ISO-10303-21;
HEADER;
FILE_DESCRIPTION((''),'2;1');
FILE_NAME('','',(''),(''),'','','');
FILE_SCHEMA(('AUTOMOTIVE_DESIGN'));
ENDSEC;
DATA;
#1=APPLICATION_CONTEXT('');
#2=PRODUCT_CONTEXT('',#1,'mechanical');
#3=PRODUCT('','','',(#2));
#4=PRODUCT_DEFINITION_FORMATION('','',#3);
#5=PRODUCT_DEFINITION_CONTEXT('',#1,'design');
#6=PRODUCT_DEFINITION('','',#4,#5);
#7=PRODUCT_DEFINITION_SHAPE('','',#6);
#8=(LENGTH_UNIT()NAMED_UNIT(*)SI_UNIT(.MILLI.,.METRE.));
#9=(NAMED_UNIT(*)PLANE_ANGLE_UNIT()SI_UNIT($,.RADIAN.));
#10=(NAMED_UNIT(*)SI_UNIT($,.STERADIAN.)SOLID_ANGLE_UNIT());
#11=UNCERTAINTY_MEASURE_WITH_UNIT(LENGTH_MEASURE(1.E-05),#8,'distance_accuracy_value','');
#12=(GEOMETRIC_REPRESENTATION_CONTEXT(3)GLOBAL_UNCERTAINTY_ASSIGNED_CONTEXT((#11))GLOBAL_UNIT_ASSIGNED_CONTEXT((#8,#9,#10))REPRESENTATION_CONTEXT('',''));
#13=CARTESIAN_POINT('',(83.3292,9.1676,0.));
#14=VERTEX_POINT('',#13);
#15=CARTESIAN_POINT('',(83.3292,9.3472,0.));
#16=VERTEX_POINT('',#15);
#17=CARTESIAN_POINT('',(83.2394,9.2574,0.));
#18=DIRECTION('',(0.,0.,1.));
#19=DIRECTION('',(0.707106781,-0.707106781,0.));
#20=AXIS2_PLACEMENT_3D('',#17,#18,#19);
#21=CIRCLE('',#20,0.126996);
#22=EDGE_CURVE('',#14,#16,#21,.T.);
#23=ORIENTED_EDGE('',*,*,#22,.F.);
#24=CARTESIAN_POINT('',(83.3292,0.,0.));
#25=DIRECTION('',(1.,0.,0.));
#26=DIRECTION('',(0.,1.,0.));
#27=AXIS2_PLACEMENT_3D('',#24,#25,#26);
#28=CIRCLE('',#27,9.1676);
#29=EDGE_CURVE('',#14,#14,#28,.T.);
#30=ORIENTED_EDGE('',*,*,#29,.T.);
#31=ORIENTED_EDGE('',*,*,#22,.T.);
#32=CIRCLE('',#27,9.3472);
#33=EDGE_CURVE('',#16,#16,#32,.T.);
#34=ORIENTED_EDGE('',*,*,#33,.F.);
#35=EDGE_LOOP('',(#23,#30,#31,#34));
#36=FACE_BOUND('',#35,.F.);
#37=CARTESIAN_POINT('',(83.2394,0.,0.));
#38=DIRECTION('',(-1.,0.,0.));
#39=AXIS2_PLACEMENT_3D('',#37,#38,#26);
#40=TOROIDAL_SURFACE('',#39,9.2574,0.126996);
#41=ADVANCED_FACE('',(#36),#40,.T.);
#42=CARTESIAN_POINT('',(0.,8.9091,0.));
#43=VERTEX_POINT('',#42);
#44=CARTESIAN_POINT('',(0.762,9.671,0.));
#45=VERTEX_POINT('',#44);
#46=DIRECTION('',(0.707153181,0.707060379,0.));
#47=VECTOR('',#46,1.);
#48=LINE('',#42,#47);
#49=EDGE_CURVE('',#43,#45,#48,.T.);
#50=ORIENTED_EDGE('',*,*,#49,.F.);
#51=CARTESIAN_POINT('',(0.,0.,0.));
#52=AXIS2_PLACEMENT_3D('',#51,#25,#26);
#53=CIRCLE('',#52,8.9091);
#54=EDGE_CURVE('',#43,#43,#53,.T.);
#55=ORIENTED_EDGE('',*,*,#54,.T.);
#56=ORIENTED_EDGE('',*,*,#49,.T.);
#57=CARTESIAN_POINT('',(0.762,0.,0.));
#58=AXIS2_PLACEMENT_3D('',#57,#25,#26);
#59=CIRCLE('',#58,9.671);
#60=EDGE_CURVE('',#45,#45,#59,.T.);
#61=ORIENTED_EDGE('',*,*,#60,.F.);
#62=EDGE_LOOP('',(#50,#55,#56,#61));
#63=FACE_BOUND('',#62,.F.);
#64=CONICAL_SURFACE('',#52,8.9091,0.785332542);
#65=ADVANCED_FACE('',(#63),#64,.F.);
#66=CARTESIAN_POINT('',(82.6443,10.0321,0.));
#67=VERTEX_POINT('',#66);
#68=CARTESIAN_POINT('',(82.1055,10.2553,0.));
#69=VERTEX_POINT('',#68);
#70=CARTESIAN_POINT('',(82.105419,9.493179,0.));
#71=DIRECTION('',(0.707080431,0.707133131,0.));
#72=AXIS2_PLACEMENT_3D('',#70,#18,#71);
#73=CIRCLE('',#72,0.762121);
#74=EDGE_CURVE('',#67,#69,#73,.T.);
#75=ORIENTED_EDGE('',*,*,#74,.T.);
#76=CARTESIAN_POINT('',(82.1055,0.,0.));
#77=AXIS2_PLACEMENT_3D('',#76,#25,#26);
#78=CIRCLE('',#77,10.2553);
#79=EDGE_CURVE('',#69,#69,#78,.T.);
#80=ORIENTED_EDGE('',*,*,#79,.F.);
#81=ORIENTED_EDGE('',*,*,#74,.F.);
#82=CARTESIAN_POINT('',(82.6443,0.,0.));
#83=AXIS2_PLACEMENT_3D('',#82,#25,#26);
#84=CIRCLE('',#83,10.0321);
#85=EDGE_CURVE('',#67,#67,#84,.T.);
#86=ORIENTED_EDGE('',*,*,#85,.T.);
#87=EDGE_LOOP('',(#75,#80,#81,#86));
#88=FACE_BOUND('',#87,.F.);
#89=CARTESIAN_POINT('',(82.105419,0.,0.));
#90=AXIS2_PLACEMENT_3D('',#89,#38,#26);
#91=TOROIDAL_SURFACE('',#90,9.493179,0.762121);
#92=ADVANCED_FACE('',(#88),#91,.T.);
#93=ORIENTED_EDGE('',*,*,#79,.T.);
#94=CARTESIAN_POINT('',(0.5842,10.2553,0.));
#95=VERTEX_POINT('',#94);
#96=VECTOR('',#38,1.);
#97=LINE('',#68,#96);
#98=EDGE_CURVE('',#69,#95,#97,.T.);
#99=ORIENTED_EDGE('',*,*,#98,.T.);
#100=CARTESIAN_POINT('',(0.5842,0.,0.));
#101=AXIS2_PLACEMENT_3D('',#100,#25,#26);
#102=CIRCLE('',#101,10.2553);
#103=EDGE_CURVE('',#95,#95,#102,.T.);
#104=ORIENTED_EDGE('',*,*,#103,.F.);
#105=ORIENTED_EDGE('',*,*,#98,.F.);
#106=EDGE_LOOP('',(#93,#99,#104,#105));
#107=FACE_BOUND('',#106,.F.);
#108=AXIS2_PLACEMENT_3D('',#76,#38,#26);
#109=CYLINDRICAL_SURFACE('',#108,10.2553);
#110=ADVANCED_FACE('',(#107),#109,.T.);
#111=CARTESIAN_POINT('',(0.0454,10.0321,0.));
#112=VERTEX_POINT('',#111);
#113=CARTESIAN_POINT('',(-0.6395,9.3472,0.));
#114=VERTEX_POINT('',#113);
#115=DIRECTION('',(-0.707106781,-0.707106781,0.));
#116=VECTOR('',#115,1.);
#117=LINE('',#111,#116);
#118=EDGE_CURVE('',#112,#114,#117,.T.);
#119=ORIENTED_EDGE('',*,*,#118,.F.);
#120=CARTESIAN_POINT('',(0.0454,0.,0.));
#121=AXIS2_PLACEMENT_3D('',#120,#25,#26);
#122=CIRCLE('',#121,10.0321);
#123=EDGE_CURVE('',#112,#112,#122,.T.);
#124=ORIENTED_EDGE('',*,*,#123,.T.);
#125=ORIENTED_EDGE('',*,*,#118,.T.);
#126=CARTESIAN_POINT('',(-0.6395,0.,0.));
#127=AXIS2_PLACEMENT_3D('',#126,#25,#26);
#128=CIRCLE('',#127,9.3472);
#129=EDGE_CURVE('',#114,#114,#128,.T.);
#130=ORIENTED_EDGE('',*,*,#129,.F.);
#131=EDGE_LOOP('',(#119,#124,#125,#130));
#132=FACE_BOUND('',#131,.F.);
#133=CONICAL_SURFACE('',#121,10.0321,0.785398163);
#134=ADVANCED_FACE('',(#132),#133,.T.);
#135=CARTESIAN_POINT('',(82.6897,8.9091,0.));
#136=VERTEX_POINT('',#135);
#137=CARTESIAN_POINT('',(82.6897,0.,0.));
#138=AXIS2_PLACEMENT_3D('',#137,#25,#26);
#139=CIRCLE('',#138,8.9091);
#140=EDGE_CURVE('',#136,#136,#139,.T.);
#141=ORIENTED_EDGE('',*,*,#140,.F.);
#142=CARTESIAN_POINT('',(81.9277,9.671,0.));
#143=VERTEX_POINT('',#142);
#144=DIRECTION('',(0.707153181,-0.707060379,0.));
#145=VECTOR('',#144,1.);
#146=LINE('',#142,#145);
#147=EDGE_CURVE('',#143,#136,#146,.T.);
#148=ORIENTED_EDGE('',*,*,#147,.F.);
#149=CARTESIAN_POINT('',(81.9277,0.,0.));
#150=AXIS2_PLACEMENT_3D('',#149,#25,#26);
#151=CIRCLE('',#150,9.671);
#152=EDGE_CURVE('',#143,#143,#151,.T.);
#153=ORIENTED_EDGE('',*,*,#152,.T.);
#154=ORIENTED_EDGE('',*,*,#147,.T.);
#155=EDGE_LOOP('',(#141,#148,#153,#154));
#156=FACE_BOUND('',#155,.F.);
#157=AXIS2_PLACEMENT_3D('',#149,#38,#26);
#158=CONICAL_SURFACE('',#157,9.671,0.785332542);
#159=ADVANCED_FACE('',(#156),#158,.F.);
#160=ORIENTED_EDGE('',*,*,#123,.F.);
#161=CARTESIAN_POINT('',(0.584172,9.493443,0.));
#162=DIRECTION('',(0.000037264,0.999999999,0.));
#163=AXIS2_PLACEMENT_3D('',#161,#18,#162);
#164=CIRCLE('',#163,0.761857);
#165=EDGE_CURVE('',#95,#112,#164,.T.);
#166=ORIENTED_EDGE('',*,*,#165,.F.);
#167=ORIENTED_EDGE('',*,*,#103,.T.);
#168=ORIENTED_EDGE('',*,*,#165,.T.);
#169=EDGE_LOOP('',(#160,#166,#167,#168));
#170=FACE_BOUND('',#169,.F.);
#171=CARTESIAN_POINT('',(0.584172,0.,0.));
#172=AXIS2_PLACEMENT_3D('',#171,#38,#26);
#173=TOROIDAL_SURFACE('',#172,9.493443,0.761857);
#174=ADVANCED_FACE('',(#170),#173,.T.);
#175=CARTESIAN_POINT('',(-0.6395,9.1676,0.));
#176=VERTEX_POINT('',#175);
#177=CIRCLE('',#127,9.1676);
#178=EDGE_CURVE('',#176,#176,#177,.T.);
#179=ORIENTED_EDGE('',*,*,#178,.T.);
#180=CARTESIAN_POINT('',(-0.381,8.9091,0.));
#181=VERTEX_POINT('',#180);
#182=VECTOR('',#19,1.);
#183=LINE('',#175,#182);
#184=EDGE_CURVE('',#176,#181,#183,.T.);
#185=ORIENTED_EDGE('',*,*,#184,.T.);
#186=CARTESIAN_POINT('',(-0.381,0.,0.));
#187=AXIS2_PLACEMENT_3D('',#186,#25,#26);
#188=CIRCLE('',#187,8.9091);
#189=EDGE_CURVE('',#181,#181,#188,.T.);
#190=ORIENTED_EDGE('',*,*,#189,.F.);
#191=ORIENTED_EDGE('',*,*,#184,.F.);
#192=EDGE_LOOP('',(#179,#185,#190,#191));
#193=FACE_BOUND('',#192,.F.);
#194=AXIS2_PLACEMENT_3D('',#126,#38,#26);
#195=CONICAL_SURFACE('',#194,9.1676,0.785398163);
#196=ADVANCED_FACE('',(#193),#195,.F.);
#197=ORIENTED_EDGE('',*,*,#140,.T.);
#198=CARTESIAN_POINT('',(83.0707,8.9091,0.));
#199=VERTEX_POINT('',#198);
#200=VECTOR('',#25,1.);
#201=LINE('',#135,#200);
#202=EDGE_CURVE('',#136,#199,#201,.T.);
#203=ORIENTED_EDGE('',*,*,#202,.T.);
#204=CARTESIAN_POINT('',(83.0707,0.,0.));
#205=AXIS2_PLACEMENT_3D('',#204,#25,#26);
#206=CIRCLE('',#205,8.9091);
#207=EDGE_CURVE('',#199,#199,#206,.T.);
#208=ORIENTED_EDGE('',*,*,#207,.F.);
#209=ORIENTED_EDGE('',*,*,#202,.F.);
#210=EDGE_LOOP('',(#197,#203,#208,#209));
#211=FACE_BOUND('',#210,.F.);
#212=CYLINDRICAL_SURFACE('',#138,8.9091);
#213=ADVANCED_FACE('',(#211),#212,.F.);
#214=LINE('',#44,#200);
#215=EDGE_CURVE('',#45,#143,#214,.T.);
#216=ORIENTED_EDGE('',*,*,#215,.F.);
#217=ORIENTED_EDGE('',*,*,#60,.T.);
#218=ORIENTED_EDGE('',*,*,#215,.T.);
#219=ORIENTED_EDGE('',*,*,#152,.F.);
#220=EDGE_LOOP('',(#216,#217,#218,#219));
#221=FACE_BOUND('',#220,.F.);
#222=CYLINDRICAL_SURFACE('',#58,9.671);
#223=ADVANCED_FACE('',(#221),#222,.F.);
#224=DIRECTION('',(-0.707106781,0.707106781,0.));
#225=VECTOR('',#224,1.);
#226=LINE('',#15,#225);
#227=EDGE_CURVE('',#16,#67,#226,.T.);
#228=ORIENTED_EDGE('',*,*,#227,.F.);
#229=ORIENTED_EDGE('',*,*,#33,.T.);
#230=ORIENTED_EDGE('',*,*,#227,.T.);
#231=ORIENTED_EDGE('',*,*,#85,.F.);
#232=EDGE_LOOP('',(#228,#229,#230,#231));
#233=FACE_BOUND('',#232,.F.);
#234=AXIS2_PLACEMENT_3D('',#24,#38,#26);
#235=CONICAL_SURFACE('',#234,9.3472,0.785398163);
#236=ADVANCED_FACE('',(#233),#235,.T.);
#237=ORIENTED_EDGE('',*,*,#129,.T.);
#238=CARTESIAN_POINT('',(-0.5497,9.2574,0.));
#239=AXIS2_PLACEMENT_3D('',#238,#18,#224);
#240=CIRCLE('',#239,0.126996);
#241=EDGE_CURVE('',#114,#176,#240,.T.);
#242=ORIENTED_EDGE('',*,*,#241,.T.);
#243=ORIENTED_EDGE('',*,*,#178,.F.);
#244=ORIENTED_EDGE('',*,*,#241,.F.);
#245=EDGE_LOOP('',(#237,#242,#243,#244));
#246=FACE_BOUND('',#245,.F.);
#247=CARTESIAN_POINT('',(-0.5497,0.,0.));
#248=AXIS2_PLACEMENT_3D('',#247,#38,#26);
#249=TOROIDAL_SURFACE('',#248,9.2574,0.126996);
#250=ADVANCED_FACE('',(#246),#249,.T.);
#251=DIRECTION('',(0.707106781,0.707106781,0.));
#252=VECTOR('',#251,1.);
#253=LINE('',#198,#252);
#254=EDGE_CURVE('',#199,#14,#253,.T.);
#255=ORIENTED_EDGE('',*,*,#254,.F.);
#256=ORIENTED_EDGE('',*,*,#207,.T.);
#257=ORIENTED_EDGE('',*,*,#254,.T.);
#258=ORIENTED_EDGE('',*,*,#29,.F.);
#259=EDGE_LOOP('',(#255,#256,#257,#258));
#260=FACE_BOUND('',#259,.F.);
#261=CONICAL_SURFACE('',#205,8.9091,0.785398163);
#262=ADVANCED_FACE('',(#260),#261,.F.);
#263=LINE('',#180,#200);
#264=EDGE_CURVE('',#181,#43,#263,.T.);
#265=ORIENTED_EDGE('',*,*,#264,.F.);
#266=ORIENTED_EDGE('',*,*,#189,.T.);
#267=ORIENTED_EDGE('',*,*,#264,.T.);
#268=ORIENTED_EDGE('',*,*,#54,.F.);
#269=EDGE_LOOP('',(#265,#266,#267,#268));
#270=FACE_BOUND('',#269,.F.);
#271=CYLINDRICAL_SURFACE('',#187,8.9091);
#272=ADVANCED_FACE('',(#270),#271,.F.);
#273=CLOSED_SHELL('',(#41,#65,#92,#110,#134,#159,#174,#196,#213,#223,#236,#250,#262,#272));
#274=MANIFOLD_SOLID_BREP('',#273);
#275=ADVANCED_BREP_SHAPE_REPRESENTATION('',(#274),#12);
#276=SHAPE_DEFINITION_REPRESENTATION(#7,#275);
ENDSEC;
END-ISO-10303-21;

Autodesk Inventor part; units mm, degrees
sketch "Sketch_1" plane through (0, 0, 0) normal (0, 0, 1) x (1, 0, 0)
  line L0 (82.6897, 0) -> (0, 0)
  arc A0 (-0.6395, 9.3472) -> (-0.6395, 9.1676) centre (-0.5497, 9.2574) ccw
  line L1 (-0.6395, 9.1676) -> (-0.381, 8.9091)
  line L2 (-0.381, 8.9091) -> (0, 8.9091)
  line L3 (0, 8.9091) -> (0.762, 9.671)
  line L4 (0.762, 9.671) -> (81.9277, 9.671)
  line L5 (81.9277, 9.671) -> (82.6897, 8.9091)
  line L6 (82.6897, 8.9091) -> (83.0707, 8.9091)
  line L7 (83.0707, 8.9091) -> (83.3292, 9.1676)
  arc A1 (83.3292, 9.1676) -> (83.3292, 9.3472) centre (83.2394, 9.2574) ccw
  line L8 (83.3292, 9.3472) -> (82.6443, 10.0321)
  arc A2 (82.6443, 10.0321) -> (82.1055, 10.2553) centre (82.1055, 9.4933) ccw
  line L9 (82.1055, 10.2553) -> (0.5842, 10.2553)
  arc A3 (0.5842, 10.2553) -> (0.0454, 10.0321) centre (0.5842, 9.4933) ccw
  line L10 (0.0454, 10.0321) -> (-0.6395, 9.3472)
revolve "Revolution1" add sketch "Sketch_1" angle 360 about axis through (82.6897, 0, 0) along (1, 0, 0)
ref_plane "cp1_XY" through (41.3449, 10.2553, 0) normal (1, 0, 0) x (0, 0, -1)
ref_plane "cp1_YZ" through (41.3449, 10.2553, 0) normal (0, 0, -1) x (0, 1, 0)
ref_plane "cp1_ZX" through (41.3449, 10.2553, 0) normal (0, 1, 0) x (1, 0, 0)
ref_plane "cp2_XY" through (41.3449, 0, -10.2553) normal (1, 0, 0) x (0, 0, -1)
ref_plane "cp2_YZ" through (41.3449, 0, -10.2553) normal (0, 0, -1) x (0, 1, 0)
ref_plane "cp2_ZX" through (41.3449, 0, -10.2553) normal (0, 1, 0) x (1, 0, 0)
ref_plane "cp3_XY" through (41.3449, -10.2553, 0) normal (1, 0, 0) x (0, 0, -1)
ref_plane "cp3_YZ" through (41.3449, -10.2553, 0) normal (0, 0, -1) x (0, 1, 0)
ref_plane "cp3_ZX" through (41.3449, -10.2553, 0) normal (0, 1, 0) x (1, 0, 0)
ref_plane "cp4_XY" through (41.3449, 0, 10.2553) normal (1, 0, 0) x (0, 0, -1)
ref_plane "cp4_YZ" through (41.3449, 0, 10.2553) normal (0, 0, -1) x (0, 1, 0)
ref_plane "cp4_ZX" through (41.3449, 0, 10.2553) normal (0, 1, 0) x (1, 0, 0)
ref_plane "tube_front_XY" through (0, 0, 0) normal (1, 0, 0) x (0, 0, -1)
ref_plane "tube_front_YZ" through (0, 0, 0) normal (0, 0, -1) x (0, 1, 0)
ref_plane "tube_front_ZX" through (0, 0, 0) normal (0, 1, 0) x (1, 0, 0)
ref_plane "tube_rear_XY" through (82.6897, 0, 0) normal (1, 0, 0) x (0, 0, -1)
ref_plane "tube_rear_YZ" through (82.6897, 0, 0) normal (0, 0, -1) x (0, 1, 0)
ref_plane "tube_rear_ZX" through (82.6897, 0, 0) normal (0, 1, 0) x (1, 0, 0)
properties part number "04R-3.25550C" material "Steel, Alloy"
